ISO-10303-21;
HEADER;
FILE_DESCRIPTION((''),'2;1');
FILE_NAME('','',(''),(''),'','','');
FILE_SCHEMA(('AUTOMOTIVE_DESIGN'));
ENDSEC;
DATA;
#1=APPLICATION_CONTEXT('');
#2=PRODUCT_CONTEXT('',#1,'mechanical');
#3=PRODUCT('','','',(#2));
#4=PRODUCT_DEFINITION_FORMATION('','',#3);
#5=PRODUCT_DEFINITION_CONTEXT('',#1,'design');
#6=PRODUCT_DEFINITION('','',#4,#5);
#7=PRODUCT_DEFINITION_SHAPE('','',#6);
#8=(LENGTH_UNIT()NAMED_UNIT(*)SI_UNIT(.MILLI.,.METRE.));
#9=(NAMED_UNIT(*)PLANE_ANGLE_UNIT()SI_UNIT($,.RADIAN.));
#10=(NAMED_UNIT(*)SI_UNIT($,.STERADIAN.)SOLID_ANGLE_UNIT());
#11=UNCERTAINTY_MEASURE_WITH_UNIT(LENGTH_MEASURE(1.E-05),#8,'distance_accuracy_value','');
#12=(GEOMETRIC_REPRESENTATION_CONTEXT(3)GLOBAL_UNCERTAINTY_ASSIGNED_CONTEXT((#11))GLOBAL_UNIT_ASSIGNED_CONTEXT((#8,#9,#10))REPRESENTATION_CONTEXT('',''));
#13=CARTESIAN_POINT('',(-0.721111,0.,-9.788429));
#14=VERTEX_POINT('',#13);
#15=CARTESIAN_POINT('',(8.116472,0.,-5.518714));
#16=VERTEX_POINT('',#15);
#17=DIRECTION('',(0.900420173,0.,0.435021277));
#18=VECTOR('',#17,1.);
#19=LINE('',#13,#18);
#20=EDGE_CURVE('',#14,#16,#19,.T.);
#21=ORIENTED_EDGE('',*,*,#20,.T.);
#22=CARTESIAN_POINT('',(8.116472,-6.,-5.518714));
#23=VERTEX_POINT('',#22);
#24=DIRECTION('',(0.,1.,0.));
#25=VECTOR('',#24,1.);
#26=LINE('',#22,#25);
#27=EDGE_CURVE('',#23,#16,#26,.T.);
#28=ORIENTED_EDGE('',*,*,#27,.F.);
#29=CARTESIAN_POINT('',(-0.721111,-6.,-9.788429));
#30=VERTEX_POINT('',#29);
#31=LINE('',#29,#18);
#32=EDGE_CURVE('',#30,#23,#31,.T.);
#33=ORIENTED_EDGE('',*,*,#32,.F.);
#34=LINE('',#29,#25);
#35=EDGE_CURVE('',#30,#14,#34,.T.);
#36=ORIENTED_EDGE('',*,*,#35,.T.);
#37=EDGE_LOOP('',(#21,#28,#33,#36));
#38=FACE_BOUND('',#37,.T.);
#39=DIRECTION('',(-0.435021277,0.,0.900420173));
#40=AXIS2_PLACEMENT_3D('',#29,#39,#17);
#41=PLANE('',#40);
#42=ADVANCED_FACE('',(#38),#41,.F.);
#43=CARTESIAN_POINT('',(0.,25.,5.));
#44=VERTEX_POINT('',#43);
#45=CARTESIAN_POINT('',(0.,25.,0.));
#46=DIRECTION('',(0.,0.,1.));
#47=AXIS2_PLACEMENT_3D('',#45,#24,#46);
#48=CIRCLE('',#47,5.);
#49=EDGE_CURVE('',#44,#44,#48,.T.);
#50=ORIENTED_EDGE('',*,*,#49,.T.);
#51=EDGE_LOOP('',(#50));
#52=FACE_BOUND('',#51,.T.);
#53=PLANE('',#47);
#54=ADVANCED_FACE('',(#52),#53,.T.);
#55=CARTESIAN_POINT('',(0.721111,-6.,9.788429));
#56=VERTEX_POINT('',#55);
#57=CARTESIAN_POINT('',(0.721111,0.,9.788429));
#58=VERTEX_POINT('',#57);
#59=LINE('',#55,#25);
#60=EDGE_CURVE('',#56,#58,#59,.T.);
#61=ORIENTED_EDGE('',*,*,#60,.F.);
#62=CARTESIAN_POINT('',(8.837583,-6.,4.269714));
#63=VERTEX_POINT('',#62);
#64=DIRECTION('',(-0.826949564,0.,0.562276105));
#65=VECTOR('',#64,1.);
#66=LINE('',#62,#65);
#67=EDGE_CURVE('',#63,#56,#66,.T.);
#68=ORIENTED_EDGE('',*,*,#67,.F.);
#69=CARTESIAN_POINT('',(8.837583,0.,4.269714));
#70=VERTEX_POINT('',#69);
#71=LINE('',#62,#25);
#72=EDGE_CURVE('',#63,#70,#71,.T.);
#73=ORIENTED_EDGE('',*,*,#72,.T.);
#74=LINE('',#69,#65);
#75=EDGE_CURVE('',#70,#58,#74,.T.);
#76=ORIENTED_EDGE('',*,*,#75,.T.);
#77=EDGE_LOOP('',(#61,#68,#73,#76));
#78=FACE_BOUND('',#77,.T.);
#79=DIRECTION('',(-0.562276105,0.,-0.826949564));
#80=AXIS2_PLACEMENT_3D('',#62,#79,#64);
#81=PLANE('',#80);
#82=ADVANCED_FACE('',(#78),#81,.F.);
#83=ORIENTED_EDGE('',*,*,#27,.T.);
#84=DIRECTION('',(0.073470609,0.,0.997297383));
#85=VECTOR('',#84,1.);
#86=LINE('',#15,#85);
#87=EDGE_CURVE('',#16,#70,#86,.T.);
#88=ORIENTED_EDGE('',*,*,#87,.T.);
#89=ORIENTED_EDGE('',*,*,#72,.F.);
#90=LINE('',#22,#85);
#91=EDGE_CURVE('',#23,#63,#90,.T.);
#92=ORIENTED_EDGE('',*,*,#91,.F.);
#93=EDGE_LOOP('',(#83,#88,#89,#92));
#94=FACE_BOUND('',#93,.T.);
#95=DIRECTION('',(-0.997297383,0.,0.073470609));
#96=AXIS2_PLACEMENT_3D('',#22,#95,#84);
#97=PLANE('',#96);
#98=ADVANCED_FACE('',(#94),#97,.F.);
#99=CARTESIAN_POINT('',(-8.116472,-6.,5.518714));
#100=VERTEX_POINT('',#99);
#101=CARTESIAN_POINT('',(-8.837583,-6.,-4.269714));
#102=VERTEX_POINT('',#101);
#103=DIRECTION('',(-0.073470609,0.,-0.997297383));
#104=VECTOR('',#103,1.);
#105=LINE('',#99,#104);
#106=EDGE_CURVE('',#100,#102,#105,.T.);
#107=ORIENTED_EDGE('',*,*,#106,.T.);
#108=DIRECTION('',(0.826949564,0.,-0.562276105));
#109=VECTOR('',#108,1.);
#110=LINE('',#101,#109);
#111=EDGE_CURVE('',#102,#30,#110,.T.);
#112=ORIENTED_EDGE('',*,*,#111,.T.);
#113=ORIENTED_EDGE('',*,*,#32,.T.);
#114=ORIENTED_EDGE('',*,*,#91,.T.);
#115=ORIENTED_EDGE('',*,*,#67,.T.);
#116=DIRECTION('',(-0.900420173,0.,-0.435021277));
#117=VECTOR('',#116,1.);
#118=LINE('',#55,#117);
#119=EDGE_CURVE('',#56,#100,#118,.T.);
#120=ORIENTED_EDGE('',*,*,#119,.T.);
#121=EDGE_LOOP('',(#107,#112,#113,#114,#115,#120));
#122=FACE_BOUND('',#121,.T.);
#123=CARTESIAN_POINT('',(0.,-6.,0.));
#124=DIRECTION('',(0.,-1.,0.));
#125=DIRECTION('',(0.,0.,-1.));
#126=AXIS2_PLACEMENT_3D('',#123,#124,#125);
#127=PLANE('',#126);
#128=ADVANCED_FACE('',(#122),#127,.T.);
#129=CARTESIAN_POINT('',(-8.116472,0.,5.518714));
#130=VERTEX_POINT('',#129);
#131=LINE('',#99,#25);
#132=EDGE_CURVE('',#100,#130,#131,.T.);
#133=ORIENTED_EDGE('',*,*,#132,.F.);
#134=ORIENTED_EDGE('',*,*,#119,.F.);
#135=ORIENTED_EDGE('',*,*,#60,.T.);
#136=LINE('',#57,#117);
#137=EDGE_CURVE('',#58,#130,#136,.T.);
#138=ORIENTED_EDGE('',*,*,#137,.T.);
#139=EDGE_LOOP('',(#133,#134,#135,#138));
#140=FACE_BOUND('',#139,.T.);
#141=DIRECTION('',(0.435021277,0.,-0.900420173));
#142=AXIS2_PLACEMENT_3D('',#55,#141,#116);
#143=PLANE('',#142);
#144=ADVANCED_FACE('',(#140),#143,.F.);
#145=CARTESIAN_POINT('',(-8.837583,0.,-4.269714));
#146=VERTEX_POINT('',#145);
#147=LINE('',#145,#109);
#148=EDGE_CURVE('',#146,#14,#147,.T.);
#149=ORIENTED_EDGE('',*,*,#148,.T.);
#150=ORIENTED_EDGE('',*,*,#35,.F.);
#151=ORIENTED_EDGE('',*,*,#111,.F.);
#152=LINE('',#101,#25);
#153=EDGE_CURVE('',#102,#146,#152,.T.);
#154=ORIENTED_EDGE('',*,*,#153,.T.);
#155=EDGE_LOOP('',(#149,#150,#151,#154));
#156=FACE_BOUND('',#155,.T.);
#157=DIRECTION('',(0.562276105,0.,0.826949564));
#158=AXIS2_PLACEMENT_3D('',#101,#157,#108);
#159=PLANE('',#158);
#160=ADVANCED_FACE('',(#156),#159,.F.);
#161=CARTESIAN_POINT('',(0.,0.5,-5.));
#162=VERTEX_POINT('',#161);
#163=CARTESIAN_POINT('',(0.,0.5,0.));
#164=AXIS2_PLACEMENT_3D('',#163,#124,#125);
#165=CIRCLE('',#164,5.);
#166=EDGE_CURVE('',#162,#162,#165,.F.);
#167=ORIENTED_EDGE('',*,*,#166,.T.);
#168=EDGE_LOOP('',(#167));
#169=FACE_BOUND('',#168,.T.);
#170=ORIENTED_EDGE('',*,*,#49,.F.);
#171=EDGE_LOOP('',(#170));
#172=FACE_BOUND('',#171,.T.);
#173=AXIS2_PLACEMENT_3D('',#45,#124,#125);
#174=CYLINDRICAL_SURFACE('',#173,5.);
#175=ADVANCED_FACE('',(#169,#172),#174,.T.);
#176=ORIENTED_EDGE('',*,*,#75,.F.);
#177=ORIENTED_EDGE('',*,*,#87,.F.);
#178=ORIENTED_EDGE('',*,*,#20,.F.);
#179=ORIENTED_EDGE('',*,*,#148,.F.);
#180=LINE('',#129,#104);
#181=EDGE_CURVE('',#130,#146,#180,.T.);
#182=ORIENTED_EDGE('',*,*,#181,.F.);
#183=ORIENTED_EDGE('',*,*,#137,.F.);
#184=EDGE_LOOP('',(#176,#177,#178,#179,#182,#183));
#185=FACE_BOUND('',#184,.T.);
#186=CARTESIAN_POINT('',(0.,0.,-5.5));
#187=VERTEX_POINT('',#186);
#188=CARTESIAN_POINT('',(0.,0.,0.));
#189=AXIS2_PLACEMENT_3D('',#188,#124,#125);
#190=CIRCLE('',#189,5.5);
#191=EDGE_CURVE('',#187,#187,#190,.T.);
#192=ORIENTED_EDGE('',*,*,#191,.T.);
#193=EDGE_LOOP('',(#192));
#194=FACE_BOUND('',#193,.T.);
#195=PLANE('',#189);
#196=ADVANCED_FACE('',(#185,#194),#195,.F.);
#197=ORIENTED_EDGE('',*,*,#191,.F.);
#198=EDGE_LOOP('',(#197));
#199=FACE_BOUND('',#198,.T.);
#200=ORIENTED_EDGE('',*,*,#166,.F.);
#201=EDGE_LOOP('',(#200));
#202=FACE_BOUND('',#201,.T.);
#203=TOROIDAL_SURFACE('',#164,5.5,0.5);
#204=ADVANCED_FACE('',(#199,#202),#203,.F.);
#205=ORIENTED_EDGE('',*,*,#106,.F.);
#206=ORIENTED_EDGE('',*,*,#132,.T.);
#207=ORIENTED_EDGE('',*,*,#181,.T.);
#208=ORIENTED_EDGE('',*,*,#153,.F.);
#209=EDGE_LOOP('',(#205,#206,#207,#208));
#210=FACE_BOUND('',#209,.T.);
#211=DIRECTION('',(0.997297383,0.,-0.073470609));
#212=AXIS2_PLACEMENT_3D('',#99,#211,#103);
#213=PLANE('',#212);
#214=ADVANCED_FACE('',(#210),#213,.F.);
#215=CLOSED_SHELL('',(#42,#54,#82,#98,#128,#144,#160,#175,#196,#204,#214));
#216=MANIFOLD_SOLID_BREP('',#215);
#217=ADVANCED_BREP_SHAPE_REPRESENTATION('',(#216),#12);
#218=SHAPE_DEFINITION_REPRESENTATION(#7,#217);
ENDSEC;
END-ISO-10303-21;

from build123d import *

# Parameters (mm, degrees)
SZKIC1_R                    = 5
DODANIE_WYCI_GNI_CIE1_DEPTH = 25
DODANIE_WYCI_GNI_CIE2_DEPTH = 6
ZAOKR_GLENIE1_R             = 0.5


with BuildPart() as part:
    # Szkic1 → Dodanie-wyciągnięcie1 (new body)
    with BuildSketch(Plane(origin=(0, 0, 0), x_dir=(1, 0, 0), z_dir=(0, 1, 0))):
        Circle(SZKIC1_R)
    extrude(amount=DODANIE_WYCI_GNI_CIE1_DEPTH)

    # Szkic2 → Dodanie-wyciągnięcie2 (add)
    with BuildSketch(Plane(origin=(0, 0, 0), x_dir=(-1, 0, 0), z_dir=(0, -1, 0))):
        Polygon((-0.721110691, -9.78842851), (8.116472407, -5.518714433), (8.837583099, 4.269714077), (0.721110691, 9.78842851), (-8.116472407, 5.518714433), (-8.837583099, -4.269714077), align=None)
    extrude(amount=DODANIE_WYCI_GNI_CIE2_DEPTH)

    # Zaokrąglenie1
    zaokr_glenie1_edges = [part.edges().sort_by_distance(p)[0] for p in [
        (-5, 0, 0),
    ]]
    fillet(zaokr_glenie1_edges, radius=ZAOKR_GLENIE1_R)


solid = part.part
